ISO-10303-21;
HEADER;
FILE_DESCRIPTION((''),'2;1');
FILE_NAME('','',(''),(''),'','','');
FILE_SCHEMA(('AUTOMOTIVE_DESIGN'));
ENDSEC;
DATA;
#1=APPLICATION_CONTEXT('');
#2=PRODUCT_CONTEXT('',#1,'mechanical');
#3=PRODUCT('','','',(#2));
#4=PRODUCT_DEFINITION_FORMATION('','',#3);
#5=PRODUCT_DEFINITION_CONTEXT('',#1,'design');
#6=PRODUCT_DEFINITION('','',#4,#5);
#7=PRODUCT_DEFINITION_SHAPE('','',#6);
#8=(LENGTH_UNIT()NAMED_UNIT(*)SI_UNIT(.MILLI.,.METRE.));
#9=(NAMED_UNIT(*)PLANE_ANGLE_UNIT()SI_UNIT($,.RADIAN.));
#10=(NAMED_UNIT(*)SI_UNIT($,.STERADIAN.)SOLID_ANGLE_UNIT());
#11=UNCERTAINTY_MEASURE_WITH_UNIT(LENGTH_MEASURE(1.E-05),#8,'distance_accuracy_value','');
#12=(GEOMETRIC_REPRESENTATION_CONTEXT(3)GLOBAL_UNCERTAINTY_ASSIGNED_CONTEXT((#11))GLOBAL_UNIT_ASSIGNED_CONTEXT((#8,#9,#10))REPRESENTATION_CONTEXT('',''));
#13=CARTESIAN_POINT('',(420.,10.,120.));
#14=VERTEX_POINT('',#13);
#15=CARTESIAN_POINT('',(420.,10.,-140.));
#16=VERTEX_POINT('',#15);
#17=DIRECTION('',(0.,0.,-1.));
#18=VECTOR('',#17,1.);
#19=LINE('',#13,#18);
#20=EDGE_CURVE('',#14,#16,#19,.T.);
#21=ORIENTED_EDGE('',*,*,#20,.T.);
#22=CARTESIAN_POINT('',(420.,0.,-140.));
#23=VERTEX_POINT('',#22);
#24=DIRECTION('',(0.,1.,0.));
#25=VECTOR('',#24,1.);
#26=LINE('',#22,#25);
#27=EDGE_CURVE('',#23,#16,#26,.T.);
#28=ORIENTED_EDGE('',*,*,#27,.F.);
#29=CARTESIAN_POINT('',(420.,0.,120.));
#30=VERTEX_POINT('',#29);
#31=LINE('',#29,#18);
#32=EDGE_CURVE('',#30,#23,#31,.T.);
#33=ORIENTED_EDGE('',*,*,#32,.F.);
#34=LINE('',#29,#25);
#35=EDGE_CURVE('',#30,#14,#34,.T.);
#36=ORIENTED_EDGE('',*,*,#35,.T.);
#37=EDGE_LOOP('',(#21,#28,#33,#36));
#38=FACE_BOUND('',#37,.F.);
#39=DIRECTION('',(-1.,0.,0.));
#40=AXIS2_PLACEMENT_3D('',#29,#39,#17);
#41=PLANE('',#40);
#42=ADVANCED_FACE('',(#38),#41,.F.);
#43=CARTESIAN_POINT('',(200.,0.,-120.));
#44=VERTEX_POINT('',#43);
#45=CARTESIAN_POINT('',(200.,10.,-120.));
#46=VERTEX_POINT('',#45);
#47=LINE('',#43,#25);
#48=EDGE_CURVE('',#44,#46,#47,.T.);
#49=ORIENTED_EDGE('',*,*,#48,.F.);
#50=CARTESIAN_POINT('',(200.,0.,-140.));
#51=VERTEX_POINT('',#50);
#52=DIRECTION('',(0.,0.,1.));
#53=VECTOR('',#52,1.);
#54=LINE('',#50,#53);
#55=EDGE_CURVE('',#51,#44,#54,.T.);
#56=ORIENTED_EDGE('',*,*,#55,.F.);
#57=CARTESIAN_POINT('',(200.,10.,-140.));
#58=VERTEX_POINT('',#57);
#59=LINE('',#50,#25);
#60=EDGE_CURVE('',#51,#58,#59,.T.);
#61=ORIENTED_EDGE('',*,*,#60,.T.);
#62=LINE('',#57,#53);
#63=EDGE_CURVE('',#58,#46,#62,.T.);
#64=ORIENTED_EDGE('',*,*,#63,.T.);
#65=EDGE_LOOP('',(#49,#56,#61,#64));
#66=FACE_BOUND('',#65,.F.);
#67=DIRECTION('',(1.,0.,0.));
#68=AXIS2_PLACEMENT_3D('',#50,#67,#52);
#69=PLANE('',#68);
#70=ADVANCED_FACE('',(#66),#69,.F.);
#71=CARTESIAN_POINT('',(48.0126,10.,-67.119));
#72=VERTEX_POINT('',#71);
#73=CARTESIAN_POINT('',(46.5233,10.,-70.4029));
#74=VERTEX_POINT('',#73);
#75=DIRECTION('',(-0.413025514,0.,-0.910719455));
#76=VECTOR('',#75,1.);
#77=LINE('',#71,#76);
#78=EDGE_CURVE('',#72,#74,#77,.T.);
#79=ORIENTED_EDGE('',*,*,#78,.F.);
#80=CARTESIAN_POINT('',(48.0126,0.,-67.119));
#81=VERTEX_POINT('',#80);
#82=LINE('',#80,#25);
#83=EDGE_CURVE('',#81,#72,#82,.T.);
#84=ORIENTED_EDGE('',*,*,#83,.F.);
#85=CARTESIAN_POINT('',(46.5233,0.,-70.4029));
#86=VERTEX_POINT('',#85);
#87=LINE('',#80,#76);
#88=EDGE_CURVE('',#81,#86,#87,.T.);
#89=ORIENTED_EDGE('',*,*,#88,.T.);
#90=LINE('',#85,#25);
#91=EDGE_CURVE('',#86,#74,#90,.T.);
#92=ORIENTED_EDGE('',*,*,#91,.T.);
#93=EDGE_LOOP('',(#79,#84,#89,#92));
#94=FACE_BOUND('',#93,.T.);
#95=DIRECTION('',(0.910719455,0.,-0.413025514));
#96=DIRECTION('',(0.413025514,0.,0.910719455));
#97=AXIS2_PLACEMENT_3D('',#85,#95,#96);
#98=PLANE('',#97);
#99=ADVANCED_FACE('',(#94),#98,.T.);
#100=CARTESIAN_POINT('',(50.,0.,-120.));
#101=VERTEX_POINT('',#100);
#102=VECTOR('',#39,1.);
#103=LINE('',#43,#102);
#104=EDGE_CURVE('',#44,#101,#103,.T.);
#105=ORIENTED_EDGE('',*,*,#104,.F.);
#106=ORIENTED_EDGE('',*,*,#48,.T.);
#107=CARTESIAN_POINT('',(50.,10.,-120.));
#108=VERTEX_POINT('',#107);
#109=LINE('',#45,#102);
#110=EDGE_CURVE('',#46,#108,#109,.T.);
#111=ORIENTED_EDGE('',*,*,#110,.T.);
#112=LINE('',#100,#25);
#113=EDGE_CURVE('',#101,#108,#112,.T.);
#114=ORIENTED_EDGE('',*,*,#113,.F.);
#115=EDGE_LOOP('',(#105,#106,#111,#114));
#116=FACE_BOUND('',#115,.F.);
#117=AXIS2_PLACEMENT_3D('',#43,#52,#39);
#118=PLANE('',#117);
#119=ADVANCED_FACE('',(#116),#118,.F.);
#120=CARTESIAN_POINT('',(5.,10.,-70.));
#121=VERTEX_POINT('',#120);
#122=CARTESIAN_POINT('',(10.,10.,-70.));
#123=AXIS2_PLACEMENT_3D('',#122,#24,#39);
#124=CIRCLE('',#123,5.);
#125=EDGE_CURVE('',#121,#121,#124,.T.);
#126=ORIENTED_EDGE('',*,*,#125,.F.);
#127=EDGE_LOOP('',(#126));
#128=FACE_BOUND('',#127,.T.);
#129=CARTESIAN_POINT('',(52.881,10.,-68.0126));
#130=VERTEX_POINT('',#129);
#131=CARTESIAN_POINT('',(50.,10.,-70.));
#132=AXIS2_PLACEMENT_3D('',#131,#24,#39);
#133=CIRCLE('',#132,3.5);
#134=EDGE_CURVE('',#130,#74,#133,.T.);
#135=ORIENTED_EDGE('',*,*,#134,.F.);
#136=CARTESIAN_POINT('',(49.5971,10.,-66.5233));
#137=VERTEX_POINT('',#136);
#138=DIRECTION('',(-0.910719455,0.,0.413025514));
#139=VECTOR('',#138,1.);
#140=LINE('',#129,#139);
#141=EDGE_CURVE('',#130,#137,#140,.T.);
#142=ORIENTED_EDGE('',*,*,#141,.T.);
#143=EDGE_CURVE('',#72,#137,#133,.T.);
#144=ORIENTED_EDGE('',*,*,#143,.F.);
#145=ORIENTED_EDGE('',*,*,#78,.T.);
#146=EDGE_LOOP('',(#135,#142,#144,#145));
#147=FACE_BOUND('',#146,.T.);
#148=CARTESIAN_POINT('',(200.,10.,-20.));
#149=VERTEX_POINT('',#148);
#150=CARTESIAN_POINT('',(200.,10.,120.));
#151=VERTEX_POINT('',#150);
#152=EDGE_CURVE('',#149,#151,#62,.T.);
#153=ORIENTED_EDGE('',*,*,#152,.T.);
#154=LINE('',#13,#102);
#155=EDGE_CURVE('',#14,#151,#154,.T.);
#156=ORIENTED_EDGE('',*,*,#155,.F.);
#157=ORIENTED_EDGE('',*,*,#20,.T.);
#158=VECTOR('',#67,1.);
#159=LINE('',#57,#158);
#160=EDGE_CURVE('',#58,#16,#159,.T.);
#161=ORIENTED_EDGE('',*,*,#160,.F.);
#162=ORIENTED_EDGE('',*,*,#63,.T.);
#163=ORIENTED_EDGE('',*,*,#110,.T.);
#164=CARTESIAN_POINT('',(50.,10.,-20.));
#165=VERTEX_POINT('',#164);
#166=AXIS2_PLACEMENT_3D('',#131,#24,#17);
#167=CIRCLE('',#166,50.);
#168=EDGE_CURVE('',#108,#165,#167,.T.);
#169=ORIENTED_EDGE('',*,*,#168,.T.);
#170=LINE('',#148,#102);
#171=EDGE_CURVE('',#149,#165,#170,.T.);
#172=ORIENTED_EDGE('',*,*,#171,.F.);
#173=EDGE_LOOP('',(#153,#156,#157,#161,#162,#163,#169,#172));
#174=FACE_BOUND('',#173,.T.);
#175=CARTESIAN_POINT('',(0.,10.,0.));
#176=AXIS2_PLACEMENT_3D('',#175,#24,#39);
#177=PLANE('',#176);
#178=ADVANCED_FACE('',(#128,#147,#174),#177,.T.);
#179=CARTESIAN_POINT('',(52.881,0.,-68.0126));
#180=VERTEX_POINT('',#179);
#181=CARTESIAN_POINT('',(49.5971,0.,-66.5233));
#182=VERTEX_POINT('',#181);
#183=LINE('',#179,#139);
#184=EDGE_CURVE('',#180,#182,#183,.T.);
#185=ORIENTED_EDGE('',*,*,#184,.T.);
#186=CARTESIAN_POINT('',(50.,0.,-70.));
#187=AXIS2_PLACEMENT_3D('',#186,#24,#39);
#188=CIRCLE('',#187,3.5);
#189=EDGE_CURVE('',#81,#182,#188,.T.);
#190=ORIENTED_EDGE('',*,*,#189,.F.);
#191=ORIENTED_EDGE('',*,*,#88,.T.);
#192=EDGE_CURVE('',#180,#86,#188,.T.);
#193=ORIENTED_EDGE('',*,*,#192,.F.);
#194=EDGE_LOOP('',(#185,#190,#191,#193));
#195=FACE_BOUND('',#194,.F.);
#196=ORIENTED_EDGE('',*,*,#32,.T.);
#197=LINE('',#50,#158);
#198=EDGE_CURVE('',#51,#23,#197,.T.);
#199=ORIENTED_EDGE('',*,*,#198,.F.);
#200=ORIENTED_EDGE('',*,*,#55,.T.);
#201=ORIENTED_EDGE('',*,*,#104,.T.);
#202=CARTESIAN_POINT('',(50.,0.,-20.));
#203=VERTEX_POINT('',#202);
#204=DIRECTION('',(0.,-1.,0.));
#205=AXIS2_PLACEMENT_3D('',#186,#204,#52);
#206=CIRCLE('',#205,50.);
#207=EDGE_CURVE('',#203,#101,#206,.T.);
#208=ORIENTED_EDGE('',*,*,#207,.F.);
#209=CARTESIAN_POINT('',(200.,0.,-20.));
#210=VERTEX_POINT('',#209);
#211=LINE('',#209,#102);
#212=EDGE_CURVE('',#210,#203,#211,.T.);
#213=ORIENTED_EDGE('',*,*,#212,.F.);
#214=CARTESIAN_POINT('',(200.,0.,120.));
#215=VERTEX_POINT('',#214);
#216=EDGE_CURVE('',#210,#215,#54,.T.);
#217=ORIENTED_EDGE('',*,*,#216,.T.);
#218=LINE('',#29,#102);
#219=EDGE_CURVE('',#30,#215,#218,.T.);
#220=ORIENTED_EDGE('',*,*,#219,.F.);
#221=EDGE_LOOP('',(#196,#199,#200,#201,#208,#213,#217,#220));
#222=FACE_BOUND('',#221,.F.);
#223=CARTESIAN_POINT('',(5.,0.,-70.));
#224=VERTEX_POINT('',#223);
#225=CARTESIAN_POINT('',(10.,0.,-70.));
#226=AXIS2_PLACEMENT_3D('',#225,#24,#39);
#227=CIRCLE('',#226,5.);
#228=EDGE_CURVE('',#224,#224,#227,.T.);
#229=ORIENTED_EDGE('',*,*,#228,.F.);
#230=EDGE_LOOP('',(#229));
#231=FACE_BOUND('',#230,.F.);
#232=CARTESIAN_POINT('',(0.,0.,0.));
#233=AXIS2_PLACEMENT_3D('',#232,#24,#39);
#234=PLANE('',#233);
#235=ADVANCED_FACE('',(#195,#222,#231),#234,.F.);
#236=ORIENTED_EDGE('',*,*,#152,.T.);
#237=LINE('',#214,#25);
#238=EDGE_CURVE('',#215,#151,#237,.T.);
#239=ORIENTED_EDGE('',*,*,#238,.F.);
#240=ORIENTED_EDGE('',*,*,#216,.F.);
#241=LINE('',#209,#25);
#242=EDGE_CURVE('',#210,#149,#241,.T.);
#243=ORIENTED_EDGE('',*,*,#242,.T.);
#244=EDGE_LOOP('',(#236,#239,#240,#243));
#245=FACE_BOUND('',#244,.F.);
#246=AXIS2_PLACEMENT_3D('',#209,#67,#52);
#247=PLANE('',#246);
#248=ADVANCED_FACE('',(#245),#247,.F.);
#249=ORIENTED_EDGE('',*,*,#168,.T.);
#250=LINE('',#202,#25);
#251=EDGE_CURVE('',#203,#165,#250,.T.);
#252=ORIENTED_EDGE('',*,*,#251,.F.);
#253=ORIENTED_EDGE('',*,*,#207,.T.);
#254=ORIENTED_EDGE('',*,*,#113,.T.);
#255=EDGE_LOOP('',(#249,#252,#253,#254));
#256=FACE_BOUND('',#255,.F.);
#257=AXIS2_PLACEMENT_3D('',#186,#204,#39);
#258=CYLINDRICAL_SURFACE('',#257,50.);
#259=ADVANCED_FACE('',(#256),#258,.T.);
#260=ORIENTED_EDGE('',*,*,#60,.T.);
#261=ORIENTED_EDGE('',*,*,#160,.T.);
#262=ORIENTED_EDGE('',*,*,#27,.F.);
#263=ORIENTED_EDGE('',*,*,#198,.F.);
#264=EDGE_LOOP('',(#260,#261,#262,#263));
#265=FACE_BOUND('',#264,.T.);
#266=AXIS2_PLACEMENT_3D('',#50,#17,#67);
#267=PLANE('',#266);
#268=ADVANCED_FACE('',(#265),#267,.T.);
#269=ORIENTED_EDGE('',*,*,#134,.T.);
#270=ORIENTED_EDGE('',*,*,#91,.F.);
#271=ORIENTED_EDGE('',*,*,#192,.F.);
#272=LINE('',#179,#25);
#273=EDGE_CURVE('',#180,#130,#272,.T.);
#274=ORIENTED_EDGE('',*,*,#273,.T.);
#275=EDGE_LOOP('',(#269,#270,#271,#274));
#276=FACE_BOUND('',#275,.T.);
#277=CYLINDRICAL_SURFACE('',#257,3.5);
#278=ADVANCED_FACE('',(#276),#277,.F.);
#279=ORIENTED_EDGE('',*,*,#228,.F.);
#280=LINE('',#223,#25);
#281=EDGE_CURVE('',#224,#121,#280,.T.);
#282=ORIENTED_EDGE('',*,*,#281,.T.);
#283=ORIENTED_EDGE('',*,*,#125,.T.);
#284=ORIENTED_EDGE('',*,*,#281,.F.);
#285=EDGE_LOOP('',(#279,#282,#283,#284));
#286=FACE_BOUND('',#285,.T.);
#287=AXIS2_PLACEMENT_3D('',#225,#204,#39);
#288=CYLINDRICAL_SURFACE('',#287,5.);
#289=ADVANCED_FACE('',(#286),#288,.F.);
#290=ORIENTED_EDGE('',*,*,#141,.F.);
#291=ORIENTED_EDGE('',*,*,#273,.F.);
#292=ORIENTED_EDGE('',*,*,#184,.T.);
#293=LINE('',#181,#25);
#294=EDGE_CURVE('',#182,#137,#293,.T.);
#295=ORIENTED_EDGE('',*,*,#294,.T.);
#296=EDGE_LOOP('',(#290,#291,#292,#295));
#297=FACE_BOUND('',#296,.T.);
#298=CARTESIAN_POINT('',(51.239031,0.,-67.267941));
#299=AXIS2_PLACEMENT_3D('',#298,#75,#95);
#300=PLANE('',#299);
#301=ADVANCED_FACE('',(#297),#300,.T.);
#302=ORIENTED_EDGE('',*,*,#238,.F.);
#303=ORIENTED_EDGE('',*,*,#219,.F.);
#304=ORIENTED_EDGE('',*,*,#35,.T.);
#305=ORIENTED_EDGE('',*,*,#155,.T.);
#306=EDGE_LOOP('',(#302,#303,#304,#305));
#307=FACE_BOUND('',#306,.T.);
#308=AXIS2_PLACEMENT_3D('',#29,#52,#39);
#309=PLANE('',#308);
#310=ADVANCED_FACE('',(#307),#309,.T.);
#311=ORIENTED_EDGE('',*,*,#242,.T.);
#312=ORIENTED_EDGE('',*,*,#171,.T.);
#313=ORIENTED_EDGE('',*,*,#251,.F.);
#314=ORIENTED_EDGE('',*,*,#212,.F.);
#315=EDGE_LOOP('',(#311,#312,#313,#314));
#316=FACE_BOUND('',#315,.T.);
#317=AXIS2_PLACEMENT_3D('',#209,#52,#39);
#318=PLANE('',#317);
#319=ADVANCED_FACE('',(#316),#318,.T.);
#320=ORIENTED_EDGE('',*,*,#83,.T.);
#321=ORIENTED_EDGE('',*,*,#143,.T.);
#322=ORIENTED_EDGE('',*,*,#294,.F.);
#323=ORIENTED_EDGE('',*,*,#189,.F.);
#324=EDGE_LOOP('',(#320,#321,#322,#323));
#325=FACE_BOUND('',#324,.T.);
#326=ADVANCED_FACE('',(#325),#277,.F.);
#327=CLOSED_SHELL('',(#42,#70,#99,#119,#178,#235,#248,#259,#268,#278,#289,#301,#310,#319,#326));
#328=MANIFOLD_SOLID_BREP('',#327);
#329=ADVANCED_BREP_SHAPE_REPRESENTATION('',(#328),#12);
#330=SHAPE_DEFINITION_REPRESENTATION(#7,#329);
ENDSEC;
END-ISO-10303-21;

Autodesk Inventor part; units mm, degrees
ref_plane "YZ Plane" through (0, 0, 0) normal (1, 0, 0) x (0, 1, 0)
ref_plane "XZ Plane" through (0, 0, 0) normal (0, 1, 0) x (-1, 0, 0)
ref_plane "XY Plane" through (0, 0, 0) normal (0, 0, 1) x (1, 0, 0)
sketch "Boceto1" plane through (0, 0, 0) normal (0, 1, 0) x (-1, 0, 0)
  line L0 (-420, 120) -> (-420, -140)
  circle A0 centre (-50, -70) radius 3
  circle A1 centre (-10, -70) radius 5
  line L1 (-200, -140) -> (-200, 120)
  circle A2 centre (-50, -70) radius 50
  line L2 (-200, -20) -> (-50, -20)
  line L3 (-200, -120) -> (-50, -120)
  line L4 (-200, -140) -> (-420, -140)
  line L5 (-420, 120) -> (-200, 120)
  circle A3 centre (-50, -70) radius 3.5
  arc A4 (-52.881, -68.0126) -> (-46.5233, -70.4029) centre (-50, -70) ccw
  line L6 (-50, -70) -> (-52.881, -68.0126) construction
  line L7 (-50, -70) -> (-46.5233, -70.4029) construction
  arc A5 (-48.0126, -67.119) -> (-49.5971, -66.5233) centre (-50, -70) ccw
  line L8 (-50, -70) -> (-49.5971, -66.5233) construction
  line L9 (-50, -70) -> (-48.0126, -67.119) construction
  line L10 (-46.5233, -70.4029) -> (-48.0126, -67.119)
  line L11 (-49.5971, -66.5233) -> (-52.881, -68.0126)
  point P0 (0, 0)
  dimension "d1" = 260
  dimension "d10" = 6
  dimension "d14" = 10
  dimension "d22" = 40
  dimension "d29" = 220
  dimension "d43" = 100
  dimension "d51" = 20
  dimension "d52" = 200
  dimension "d58" = 7
  dimension "d63" = 207.99
  dimension "d64" = 27.99
  dimension "d71" = 20
extrude "Extrusión2" add sketch "Boceto1" along normal blind 10 contours L5 L1 L4 L0 | L2 A2 L3 L1 | A2 | A0 | A0 L10 A3 L11 | L10 A3 | A0 L11 A3 L10 | L11 A3 | A1
extrude "Extrusión4" cut sketch "Boceto1" along normal blind 10 contours A1
extrude "Extrusión5" cut sketch "Boceto1" along normal blind 10 contours A0 | A0 L10 A3 L11 | A0 L11 A3 L10
properties part number "Posicionador" material "Acero, fundido"
